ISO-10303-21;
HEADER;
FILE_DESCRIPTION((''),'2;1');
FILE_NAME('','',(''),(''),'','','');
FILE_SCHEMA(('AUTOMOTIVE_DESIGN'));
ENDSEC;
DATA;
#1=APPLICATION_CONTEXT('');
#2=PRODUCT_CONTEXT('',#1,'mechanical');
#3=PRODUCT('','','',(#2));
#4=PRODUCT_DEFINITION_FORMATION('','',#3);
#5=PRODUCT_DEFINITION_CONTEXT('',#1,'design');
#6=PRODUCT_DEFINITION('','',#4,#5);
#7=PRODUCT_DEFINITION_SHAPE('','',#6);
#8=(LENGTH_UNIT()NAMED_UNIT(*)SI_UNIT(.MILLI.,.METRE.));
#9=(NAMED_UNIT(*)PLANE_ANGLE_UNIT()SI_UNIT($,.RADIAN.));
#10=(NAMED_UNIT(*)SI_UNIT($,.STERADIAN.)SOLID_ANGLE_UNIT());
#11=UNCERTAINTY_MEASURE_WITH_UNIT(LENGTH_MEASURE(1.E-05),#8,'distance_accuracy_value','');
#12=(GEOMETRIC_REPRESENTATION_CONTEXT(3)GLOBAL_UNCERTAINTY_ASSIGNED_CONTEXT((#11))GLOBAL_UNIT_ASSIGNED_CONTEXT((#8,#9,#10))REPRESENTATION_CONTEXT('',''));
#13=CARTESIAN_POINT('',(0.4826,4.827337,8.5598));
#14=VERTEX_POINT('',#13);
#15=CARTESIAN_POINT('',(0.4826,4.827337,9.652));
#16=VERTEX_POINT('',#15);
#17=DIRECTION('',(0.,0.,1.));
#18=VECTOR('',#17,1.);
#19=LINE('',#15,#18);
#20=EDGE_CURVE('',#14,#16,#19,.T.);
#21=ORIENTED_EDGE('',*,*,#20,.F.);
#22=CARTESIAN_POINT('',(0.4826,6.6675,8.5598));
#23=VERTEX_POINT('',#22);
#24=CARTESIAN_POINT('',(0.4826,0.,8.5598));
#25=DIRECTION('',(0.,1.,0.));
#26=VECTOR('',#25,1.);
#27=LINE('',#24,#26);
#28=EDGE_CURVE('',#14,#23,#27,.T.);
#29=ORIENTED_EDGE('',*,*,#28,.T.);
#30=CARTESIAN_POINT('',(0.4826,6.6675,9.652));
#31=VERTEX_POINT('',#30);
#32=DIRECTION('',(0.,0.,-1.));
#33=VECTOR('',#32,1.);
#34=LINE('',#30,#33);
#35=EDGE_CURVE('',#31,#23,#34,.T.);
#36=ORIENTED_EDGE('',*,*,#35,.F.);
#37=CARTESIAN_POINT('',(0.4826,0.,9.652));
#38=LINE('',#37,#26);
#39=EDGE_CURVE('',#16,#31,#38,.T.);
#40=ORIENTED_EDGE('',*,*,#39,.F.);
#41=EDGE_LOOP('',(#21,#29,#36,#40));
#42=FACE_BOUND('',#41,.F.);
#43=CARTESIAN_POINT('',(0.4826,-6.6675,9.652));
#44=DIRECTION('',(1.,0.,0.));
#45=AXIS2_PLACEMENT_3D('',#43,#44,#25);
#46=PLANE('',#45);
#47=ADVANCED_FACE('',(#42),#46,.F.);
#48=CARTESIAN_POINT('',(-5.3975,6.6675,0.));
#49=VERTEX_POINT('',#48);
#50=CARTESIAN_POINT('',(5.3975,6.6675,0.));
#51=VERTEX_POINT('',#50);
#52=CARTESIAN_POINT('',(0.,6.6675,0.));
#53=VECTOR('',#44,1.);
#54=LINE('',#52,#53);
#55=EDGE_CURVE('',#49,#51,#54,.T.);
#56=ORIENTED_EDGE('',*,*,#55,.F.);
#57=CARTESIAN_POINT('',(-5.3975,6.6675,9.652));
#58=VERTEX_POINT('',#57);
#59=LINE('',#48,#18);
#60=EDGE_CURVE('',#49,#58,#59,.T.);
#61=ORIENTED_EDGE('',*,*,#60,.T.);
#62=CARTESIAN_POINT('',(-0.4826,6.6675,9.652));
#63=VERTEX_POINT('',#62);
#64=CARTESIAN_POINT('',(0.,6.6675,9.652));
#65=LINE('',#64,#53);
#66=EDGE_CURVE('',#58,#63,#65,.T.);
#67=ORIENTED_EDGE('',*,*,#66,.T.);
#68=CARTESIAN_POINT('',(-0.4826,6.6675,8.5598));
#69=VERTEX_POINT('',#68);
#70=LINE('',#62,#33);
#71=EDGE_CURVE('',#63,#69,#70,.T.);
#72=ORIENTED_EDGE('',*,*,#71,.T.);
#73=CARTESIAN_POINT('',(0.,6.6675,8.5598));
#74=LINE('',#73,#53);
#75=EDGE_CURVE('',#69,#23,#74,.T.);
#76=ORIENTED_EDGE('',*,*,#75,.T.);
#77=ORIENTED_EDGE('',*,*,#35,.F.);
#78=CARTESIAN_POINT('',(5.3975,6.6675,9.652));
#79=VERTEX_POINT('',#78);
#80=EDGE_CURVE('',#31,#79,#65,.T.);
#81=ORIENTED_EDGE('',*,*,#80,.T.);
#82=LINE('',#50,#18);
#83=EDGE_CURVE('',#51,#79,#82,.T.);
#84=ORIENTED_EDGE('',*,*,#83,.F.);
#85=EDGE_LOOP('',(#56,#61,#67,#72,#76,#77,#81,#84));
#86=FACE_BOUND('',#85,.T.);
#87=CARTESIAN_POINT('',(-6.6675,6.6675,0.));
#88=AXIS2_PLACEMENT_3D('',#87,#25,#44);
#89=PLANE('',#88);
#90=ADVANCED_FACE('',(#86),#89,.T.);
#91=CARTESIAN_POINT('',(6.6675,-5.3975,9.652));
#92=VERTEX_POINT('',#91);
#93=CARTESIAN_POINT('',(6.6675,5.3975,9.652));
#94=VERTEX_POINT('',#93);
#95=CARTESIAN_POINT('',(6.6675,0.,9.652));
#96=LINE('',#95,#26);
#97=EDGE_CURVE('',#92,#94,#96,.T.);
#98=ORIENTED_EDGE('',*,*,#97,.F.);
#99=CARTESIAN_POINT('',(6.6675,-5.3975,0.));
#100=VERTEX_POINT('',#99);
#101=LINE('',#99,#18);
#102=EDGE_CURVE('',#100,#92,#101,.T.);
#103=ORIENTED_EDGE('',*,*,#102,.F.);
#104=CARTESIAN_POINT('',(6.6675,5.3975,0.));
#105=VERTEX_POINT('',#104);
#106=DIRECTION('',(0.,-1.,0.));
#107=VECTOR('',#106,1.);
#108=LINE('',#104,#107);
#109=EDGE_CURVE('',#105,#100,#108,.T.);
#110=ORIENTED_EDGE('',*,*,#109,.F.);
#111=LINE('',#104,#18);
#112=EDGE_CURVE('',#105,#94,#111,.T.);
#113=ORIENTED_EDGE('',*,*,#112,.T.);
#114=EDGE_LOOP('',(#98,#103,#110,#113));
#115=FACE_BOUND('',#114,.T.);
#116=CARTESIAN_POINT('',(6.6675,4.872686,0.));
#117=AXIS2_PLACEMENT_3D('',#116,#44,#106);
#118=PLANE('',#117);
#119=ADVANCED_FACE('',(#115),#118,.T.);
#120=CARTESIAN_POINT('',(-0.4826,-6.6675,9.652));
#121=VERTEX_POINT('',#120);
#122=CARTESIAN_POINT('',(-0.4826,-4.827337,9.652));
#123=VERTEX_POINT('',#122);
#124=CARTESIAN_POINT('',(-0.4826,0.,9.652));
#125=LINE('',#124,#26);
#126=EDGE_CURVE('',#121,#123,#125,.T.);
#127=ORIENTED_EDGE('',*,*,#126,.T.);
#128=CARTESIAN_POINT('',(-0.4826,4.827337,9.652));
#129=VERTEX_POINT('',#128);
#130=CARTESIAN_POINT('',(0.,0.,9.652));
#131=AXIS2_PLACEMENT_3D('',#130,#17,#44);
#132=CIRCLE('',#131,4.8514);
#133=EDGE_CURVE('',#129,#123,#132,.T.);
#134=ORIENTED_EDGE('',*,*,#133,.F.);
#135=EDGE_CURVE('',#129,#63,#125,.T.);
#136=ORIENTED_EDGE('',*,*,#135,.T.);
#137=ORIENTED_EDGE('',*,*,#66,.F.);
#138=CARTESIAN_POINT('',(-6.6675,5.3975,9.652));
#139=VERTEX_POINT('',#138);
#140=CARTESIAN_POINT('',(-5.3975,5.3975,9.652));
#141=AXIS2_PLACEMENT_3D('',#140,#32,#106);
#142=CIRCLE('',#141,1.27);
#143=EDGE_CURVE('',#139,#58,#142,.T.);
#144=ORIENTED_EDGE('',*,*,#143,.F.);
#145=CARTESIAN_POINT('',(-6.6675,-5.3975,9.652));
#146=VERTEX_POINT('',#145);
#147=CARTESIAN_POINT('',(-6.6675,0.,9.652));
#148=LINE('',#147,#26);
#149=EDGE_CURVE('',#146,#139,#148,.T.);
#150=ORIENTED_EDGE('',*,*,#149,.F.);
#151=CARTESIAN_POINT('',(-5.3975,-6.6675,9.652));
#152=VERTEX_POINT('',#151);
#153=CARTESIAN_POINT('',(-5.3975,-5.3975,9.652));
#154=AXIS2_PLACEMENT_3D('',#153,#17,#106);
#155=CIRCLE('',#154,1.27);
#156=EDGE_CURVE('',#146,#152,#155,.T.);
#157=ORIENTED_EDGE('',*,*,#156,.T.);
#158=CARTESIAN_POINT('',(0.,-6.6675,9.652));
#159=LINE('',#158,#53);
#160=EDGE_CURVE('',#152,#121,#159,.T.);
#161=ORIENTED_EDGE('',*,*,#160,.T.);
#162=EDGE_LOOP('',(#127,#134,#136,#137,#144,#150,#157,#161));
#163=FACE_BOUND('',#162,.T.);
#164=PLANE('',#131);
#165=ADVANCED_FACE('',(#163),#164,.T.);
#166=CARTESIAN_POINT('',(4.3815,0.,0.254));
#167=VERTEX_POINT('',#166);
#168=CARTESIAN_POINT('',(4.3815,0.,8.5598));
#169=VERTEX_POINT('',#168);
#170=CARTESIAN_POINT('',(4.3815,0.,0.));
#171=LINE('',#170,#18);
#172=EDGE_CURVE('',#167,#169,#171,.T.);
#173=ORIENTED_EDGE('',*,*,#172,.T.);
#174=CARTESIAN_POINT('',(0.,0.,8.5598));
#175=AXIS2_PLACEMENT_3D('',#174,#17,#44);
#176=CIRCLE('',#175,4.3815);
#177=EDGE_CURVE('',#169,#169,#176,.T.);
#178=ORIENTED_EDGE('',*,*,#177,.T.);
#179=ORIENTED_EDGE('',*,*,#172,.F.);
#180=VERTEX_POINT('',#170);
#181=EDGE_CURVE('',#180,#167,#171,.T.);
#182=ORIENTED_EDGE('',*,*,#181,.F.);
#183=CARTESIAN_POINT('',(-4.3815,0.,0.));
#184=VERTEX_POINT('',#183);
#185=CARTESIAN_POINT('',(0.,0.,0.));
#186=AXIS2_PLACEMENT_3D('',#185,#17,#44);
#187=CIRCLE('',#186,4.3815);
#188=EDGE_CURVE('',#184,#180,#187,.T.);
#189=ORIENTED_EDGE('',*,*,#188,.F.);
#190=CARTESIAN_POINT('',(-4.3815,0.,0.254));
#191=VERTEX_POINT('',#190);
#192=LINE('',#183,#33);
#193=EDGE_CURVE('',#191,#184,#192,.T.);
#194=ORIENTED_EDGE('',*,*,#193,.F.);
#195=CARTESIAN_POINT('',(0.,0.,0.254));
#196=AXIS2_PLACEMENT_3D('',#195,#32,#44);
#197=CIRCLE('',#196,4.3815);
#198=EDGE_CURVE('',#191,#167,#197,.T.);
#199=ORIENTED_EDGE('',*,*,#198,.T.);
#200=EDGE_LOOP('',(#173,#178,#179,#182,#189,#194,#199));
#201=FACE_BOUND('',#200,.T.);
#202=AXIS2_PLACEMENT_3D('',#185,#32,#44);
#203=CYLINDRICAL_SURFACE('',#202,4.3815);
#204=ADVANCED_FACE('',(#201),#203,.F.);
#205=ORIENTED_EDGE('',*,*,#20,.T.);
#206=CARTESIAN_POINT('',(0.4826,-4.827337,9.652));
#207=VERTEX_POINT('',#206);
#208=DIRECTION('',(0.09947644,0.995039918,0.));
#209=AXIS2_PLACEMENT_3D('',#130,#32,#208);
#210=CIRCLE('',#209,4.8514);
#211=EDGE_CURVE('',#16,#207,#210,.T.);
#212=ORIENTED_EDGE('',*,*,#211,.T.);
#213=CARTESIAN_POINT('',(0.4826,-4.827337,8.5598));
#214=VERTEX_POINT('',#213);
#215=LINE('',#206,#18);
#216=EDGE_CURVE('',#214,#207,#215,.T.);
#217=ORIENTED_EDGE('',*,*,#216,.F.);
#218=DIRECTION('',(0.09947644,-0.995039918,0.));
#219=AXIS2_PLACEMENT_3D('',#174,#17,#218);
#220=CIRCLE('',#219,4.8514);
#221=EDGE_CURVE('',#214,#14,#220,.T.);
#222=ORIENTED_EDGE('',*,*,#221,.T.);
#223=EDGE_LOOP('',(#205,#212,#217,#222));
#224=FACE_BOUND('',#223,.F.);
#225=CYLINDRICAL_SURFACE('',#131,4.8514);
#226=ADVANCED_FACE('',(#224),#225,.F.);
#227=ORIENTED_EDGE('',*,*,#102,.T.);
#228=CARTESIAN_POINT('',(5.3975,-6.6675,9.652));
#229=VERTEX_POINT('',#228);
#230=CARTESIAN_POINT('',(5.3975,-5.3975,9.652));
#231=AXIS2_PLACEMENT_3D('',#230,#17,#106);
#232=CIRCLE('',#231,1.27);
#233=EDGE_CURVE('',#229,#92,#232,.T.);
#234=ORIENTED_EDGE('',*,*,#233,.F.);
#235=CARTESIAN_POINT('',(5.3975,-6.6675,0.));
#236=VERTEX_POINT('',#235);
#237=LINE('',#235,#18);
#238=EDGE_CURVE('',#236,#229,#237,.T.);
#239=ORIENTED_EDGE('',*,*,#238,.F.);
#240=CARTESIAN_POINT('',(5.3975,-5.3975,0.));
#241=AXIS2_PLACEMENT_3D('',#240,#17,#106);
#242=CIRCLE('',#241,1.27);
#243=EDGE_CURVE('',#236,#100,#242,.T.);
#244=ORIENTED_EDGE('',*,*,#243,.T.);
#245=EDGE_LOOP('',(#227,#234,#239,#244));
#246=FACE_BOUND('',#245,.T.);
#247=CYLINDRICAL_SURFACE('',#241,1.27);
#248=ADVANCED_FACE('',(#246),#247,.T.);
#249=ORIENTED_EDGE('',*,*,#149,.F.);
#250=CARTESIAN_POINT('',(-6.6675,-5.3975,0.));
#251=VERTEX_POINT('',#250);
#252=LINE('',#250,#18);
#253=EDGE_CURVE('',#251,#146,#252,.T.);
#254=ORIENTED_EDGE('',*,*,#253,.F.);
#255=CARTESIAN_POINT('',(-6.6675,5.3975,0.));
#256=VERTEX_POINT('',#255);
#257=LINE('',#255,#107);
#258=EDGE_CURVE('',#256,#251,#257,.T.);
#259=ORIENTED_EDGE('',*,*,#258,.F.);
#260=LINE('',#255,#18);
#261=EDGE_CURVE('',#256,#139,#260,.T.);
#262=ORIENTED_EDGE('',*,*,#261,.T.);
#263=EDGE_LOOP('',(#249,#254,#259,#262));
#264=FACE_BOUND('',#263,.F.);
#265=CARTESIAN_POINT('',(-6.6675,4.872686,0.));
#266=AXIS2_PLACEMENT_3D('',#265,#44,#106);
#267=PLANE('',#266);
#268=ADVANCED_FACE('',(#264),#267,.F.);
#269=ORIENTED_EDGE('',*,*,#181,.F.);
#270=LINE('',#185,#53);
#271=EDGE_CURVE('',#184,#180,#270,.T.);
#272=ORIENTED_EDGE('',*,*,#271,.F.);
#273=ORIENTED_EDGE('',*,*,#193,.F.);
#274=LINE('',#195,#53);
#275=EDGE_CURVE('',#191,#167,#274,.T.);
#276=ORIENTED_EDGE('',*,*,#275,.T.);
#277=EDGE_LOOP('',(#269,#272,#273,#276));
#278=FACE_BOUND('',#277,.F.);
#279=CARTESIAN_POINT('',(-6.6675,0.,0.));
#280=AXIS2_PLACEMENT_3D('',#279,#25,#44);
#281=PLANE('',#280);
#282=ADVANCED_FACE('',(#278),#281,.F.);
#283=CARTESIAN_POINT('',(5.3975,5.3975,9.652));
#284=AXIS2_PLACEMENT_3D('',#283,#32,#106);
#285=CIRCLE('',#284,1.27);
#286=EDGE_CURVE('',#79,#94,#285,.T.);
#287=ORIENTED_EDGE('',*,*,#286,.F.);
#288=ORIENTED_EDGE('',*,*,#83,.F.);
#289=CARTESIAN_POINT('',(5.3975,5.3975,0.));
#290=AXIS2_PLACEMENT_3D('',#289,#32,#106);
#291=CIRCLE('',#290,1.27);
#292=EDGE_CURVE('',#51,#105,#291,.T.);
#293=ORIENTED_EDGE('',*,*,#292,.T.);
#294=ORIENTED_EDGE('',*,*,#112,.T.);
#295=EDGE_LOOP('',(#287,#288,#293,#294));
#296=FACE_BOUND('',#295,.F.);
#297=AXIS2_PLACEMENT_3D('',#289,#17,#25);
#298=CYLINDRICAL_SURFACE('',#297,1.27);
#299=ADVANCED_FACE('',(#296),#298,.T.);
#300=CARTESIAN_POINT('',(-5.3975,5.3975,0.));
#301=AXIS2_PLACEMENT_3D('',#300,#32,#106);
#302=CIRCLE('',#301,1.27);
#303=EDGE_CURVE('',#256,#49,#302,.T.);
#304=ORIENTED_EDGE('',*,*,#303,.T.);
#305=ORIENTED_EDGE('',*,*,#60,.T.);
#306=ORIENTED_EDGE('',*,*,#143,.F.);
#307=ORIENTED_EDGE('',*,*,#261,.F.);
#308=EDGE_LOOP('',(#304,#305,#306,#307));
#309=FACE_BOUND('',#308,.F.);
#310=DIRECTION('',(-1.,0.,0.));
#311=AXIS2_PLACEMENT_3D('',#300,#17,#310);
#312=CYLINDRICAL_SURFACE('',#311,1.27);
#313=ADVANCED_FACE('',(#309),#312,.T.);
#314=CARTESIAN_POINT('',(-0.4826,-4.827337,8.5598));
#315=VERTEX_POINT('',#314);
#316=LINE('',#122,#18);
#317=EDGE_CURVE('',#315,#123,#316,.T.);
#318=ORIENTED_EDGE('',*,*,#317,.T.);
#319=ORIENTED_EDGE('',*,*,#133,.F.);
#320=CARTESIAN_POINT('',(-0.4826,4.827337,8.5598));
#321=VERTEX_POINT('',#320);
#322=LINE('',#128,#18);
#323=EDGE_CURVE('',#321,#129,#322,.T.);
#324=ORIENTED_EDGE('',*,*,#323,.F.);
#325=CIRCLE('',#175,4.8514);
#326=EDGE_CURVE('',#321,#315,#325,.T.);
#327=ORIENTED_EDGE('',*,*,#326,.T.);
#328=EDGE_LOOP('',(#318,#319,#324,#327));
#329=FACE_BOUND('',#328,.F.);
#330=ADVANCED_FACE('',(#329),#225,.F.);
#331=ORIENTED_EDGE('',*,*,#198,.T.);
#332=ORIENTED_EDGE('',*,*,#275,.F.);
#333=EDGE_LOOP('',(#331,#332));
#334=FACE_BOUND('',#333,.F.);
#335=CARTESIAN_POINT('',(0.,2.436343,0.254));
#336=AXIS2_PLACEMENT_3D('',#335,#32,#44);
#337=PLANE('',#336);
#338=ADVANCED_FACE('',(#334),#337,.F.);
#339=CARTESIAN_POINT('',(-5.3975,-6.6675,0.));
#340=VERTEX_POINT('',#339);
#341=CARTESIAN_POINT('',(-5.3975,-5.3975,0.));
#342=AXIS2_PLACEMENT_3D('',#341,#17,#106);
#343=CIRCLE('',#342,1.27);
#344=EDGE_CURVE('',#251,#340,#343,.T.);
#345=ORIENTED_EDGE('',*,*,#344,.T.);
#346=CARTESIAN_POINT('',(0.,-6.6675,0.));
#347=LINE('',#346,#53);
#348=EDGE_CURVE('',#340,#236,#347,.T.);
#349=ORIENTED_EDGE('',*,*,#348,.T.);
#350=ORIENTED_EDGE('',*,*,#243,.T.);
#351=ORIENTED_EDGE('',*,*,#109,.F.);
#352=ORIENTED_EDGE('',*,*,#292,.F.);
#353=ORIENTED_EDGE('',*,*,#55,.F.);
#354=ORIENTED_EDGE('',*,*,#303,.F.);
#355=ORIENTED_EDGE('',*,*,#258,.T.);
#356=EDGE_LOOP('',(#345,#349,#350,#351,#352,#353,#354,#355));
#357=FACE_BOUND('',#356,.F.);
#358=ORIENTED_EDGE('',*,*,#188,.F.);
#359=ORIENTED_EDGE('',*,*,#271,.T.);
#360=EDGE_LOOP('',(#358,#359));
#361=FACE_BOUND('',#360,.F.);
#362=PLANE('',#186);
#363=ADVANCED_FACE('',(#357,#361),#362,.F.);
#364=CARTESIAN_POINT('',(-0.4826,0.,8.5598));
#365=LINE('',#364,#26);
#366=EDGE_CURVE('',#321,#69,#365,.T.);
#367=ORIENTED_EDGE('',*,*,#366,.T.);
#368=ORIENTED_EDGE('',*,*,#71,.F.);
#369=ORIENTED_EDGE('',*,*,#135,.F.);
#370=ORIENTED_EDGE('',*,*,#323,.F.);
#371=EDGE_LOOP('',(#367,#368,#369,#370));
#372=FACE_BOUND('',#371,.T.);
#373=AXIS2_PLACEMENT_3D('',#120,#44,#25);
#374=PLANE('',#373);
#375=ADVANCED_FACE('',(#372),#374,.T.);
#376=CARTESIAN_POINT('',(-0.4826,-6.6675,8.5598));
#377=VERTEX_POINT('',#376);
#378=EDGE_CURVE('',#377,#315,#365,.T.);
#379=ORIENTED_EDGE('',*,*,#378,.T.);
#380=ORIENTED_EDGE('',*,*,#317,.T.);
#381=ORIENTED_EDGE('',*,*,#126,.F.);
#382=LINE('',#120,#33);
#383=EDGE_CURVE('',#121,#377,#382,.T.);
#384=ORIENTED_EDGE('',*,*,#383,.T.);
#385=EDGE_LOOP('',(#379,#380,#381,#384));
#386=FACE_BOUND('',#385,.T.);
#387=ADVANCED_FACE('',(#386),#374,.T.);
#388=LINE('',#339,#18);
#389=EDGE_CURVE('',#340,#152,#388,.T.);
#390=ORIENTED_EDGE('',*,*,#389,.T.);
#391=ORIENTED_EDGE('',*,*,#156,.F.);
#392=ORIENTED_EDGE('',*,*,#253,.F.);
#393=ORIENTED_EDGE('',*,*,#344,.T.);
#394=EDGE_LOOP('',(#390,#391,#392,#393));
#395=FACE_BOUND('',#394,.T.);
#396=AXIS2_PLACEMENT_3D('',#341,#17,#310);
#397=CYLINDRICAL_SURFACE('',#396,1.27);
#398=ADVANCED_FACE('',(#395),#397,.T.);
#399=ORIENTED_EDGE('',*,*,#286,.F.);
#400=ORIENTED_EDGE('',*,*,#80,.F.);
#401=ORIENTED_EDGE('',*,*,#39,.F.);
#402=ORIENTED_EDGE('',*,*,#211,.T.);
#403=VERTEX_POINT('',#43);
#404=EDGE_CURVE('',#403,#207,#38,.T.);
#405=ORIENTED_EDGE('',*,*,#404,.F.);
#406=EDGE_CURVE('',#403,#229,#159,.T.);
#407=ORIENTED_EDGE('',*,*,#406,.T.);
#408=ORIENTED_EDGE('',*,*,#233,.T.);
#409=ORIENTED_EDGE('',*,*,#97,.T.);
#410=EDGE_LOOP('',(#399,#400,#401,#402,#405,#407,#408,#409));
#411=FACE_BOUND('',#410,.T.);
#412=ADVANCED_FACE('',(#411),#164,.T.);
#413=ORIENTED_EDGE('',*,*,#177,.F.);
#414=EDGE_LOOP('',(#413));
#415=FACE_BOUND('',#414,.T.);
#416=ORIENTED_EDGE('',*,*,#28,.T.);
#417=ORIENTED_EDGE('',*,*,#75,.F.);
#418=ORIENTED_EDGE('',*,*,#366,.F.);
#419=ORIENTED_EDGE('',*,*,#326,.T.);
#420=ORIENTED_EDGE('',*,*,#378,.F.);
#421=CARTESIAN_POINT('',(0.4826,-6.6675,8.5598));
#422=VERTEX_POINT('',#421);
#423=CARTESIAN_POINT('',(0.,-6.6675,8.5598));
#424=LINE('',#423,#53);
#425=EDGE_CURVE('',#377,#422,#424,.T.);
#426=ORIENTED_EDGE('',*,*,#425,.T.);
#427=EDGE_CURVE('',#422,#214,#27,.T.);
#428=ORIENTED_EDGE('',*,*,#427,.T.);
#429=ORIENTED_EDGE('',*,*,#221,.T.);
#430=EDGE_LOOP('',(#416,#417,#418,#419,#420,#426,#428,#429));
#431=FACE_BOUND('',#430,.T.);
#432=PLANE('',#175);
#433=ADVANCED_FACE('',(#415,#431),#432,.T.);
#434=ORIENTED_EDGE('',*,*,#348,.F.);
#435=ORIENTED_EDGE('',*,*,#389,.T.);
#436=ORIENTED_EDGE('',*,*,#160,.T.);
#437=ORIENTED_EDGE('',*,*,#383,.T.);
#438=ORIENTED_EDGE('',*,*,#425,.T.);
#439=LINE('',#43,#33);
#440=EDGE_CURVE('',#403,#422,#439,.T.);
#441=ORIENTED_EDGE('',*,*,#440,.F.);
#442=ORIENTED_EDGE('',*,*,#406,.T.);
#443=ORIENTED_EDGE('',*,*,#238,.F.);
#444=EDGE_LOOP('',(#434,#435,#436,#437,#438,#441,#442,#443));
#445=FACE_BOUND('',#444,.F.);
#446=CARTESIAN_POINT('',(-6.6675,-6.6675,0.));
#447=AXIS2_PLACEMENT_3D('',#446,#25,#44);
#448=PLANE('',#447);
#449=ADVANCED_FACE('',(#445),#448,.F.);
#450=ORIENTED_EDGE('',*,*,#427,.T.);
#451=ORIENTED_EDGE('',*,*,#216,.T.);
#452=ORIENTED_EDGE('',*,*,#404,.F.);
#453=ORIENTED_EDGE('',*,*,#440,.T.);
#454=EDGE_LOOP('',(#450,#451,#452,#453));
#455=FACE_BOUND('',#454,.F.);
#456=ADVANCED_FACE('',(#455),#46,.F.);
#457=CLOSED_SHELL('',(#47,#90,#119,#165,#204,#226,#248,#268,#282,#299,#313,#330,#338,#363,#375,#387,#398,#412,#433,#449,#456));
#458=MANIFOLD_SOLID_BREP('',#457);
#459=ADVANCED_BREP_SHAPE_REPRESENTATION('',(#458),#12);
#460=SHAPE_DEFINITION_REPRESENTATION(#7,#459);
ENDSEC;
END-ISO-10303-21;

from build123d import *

# Parameters (mm, degrees)
F0_W     = 13.335
F0_H     = 13.335
F0_R     = 4.3815
F1_DEPTH = 9.652
F2_W     = 0.9652
F2_H     = 13.335
F3_DEPTH = 1.0922
F4_R     = 1.27
F5_R     = 4.8514
F6_DEPTH = 1.0922
F7_W     = 13.335
F7_H     = 4.872686
F8_DEPTH = 0.254


with BuildPart() as f1:
    # F0 (on Top) → F1 (new body)
    with BuildSketch(Plane.XY):
        Rectangle(F0_W, F0_H)
        Circle(F0_R, mode=Mode.SUBTRACT)
    extrude(amount=F1_DEPTH)

    # F2 (on face) → F3 (cut)
    with BuildSketch(Plane.XY.offset(9.652)):
        Rectangle(F2_W, F2_H)
    extrude(amount=-F3_DEPTH, mode=Mode.SUBTRACT)

    # F4
    f4_edges = [f1.edges().sort_by_distance(p)[0] for p in [
        (-6.6675, -6.6675, 4.826),
        (6.6675, -6.6675, 4.826),
        (6.6675, 6.6675, 4.826),
        (-6.6675, 6.6675, 4.826),
    ]]
    fillet(f4_edges, radius=F4_R)

    # F5 (on face) → F6 (cut)
    with BuildSketch(Plane.XY.offset(9.652)):
        Circle(F5_R)
    extrude(amount=-F6_DEPTH, mode=Mode.SUBTRACT)

    # F7 (on face) → F8 (join)
    with BuildSketch(Plane(origin=(0, 0, 0), x_dir=(1, 0, 0), z_dir=(0, 0, -1))):
        with Locations((0, -2.436343)):
            Rectangle(F7_W, F7_H)
    extrude(amount=-F8_DEPTH)


solid = f1.part
